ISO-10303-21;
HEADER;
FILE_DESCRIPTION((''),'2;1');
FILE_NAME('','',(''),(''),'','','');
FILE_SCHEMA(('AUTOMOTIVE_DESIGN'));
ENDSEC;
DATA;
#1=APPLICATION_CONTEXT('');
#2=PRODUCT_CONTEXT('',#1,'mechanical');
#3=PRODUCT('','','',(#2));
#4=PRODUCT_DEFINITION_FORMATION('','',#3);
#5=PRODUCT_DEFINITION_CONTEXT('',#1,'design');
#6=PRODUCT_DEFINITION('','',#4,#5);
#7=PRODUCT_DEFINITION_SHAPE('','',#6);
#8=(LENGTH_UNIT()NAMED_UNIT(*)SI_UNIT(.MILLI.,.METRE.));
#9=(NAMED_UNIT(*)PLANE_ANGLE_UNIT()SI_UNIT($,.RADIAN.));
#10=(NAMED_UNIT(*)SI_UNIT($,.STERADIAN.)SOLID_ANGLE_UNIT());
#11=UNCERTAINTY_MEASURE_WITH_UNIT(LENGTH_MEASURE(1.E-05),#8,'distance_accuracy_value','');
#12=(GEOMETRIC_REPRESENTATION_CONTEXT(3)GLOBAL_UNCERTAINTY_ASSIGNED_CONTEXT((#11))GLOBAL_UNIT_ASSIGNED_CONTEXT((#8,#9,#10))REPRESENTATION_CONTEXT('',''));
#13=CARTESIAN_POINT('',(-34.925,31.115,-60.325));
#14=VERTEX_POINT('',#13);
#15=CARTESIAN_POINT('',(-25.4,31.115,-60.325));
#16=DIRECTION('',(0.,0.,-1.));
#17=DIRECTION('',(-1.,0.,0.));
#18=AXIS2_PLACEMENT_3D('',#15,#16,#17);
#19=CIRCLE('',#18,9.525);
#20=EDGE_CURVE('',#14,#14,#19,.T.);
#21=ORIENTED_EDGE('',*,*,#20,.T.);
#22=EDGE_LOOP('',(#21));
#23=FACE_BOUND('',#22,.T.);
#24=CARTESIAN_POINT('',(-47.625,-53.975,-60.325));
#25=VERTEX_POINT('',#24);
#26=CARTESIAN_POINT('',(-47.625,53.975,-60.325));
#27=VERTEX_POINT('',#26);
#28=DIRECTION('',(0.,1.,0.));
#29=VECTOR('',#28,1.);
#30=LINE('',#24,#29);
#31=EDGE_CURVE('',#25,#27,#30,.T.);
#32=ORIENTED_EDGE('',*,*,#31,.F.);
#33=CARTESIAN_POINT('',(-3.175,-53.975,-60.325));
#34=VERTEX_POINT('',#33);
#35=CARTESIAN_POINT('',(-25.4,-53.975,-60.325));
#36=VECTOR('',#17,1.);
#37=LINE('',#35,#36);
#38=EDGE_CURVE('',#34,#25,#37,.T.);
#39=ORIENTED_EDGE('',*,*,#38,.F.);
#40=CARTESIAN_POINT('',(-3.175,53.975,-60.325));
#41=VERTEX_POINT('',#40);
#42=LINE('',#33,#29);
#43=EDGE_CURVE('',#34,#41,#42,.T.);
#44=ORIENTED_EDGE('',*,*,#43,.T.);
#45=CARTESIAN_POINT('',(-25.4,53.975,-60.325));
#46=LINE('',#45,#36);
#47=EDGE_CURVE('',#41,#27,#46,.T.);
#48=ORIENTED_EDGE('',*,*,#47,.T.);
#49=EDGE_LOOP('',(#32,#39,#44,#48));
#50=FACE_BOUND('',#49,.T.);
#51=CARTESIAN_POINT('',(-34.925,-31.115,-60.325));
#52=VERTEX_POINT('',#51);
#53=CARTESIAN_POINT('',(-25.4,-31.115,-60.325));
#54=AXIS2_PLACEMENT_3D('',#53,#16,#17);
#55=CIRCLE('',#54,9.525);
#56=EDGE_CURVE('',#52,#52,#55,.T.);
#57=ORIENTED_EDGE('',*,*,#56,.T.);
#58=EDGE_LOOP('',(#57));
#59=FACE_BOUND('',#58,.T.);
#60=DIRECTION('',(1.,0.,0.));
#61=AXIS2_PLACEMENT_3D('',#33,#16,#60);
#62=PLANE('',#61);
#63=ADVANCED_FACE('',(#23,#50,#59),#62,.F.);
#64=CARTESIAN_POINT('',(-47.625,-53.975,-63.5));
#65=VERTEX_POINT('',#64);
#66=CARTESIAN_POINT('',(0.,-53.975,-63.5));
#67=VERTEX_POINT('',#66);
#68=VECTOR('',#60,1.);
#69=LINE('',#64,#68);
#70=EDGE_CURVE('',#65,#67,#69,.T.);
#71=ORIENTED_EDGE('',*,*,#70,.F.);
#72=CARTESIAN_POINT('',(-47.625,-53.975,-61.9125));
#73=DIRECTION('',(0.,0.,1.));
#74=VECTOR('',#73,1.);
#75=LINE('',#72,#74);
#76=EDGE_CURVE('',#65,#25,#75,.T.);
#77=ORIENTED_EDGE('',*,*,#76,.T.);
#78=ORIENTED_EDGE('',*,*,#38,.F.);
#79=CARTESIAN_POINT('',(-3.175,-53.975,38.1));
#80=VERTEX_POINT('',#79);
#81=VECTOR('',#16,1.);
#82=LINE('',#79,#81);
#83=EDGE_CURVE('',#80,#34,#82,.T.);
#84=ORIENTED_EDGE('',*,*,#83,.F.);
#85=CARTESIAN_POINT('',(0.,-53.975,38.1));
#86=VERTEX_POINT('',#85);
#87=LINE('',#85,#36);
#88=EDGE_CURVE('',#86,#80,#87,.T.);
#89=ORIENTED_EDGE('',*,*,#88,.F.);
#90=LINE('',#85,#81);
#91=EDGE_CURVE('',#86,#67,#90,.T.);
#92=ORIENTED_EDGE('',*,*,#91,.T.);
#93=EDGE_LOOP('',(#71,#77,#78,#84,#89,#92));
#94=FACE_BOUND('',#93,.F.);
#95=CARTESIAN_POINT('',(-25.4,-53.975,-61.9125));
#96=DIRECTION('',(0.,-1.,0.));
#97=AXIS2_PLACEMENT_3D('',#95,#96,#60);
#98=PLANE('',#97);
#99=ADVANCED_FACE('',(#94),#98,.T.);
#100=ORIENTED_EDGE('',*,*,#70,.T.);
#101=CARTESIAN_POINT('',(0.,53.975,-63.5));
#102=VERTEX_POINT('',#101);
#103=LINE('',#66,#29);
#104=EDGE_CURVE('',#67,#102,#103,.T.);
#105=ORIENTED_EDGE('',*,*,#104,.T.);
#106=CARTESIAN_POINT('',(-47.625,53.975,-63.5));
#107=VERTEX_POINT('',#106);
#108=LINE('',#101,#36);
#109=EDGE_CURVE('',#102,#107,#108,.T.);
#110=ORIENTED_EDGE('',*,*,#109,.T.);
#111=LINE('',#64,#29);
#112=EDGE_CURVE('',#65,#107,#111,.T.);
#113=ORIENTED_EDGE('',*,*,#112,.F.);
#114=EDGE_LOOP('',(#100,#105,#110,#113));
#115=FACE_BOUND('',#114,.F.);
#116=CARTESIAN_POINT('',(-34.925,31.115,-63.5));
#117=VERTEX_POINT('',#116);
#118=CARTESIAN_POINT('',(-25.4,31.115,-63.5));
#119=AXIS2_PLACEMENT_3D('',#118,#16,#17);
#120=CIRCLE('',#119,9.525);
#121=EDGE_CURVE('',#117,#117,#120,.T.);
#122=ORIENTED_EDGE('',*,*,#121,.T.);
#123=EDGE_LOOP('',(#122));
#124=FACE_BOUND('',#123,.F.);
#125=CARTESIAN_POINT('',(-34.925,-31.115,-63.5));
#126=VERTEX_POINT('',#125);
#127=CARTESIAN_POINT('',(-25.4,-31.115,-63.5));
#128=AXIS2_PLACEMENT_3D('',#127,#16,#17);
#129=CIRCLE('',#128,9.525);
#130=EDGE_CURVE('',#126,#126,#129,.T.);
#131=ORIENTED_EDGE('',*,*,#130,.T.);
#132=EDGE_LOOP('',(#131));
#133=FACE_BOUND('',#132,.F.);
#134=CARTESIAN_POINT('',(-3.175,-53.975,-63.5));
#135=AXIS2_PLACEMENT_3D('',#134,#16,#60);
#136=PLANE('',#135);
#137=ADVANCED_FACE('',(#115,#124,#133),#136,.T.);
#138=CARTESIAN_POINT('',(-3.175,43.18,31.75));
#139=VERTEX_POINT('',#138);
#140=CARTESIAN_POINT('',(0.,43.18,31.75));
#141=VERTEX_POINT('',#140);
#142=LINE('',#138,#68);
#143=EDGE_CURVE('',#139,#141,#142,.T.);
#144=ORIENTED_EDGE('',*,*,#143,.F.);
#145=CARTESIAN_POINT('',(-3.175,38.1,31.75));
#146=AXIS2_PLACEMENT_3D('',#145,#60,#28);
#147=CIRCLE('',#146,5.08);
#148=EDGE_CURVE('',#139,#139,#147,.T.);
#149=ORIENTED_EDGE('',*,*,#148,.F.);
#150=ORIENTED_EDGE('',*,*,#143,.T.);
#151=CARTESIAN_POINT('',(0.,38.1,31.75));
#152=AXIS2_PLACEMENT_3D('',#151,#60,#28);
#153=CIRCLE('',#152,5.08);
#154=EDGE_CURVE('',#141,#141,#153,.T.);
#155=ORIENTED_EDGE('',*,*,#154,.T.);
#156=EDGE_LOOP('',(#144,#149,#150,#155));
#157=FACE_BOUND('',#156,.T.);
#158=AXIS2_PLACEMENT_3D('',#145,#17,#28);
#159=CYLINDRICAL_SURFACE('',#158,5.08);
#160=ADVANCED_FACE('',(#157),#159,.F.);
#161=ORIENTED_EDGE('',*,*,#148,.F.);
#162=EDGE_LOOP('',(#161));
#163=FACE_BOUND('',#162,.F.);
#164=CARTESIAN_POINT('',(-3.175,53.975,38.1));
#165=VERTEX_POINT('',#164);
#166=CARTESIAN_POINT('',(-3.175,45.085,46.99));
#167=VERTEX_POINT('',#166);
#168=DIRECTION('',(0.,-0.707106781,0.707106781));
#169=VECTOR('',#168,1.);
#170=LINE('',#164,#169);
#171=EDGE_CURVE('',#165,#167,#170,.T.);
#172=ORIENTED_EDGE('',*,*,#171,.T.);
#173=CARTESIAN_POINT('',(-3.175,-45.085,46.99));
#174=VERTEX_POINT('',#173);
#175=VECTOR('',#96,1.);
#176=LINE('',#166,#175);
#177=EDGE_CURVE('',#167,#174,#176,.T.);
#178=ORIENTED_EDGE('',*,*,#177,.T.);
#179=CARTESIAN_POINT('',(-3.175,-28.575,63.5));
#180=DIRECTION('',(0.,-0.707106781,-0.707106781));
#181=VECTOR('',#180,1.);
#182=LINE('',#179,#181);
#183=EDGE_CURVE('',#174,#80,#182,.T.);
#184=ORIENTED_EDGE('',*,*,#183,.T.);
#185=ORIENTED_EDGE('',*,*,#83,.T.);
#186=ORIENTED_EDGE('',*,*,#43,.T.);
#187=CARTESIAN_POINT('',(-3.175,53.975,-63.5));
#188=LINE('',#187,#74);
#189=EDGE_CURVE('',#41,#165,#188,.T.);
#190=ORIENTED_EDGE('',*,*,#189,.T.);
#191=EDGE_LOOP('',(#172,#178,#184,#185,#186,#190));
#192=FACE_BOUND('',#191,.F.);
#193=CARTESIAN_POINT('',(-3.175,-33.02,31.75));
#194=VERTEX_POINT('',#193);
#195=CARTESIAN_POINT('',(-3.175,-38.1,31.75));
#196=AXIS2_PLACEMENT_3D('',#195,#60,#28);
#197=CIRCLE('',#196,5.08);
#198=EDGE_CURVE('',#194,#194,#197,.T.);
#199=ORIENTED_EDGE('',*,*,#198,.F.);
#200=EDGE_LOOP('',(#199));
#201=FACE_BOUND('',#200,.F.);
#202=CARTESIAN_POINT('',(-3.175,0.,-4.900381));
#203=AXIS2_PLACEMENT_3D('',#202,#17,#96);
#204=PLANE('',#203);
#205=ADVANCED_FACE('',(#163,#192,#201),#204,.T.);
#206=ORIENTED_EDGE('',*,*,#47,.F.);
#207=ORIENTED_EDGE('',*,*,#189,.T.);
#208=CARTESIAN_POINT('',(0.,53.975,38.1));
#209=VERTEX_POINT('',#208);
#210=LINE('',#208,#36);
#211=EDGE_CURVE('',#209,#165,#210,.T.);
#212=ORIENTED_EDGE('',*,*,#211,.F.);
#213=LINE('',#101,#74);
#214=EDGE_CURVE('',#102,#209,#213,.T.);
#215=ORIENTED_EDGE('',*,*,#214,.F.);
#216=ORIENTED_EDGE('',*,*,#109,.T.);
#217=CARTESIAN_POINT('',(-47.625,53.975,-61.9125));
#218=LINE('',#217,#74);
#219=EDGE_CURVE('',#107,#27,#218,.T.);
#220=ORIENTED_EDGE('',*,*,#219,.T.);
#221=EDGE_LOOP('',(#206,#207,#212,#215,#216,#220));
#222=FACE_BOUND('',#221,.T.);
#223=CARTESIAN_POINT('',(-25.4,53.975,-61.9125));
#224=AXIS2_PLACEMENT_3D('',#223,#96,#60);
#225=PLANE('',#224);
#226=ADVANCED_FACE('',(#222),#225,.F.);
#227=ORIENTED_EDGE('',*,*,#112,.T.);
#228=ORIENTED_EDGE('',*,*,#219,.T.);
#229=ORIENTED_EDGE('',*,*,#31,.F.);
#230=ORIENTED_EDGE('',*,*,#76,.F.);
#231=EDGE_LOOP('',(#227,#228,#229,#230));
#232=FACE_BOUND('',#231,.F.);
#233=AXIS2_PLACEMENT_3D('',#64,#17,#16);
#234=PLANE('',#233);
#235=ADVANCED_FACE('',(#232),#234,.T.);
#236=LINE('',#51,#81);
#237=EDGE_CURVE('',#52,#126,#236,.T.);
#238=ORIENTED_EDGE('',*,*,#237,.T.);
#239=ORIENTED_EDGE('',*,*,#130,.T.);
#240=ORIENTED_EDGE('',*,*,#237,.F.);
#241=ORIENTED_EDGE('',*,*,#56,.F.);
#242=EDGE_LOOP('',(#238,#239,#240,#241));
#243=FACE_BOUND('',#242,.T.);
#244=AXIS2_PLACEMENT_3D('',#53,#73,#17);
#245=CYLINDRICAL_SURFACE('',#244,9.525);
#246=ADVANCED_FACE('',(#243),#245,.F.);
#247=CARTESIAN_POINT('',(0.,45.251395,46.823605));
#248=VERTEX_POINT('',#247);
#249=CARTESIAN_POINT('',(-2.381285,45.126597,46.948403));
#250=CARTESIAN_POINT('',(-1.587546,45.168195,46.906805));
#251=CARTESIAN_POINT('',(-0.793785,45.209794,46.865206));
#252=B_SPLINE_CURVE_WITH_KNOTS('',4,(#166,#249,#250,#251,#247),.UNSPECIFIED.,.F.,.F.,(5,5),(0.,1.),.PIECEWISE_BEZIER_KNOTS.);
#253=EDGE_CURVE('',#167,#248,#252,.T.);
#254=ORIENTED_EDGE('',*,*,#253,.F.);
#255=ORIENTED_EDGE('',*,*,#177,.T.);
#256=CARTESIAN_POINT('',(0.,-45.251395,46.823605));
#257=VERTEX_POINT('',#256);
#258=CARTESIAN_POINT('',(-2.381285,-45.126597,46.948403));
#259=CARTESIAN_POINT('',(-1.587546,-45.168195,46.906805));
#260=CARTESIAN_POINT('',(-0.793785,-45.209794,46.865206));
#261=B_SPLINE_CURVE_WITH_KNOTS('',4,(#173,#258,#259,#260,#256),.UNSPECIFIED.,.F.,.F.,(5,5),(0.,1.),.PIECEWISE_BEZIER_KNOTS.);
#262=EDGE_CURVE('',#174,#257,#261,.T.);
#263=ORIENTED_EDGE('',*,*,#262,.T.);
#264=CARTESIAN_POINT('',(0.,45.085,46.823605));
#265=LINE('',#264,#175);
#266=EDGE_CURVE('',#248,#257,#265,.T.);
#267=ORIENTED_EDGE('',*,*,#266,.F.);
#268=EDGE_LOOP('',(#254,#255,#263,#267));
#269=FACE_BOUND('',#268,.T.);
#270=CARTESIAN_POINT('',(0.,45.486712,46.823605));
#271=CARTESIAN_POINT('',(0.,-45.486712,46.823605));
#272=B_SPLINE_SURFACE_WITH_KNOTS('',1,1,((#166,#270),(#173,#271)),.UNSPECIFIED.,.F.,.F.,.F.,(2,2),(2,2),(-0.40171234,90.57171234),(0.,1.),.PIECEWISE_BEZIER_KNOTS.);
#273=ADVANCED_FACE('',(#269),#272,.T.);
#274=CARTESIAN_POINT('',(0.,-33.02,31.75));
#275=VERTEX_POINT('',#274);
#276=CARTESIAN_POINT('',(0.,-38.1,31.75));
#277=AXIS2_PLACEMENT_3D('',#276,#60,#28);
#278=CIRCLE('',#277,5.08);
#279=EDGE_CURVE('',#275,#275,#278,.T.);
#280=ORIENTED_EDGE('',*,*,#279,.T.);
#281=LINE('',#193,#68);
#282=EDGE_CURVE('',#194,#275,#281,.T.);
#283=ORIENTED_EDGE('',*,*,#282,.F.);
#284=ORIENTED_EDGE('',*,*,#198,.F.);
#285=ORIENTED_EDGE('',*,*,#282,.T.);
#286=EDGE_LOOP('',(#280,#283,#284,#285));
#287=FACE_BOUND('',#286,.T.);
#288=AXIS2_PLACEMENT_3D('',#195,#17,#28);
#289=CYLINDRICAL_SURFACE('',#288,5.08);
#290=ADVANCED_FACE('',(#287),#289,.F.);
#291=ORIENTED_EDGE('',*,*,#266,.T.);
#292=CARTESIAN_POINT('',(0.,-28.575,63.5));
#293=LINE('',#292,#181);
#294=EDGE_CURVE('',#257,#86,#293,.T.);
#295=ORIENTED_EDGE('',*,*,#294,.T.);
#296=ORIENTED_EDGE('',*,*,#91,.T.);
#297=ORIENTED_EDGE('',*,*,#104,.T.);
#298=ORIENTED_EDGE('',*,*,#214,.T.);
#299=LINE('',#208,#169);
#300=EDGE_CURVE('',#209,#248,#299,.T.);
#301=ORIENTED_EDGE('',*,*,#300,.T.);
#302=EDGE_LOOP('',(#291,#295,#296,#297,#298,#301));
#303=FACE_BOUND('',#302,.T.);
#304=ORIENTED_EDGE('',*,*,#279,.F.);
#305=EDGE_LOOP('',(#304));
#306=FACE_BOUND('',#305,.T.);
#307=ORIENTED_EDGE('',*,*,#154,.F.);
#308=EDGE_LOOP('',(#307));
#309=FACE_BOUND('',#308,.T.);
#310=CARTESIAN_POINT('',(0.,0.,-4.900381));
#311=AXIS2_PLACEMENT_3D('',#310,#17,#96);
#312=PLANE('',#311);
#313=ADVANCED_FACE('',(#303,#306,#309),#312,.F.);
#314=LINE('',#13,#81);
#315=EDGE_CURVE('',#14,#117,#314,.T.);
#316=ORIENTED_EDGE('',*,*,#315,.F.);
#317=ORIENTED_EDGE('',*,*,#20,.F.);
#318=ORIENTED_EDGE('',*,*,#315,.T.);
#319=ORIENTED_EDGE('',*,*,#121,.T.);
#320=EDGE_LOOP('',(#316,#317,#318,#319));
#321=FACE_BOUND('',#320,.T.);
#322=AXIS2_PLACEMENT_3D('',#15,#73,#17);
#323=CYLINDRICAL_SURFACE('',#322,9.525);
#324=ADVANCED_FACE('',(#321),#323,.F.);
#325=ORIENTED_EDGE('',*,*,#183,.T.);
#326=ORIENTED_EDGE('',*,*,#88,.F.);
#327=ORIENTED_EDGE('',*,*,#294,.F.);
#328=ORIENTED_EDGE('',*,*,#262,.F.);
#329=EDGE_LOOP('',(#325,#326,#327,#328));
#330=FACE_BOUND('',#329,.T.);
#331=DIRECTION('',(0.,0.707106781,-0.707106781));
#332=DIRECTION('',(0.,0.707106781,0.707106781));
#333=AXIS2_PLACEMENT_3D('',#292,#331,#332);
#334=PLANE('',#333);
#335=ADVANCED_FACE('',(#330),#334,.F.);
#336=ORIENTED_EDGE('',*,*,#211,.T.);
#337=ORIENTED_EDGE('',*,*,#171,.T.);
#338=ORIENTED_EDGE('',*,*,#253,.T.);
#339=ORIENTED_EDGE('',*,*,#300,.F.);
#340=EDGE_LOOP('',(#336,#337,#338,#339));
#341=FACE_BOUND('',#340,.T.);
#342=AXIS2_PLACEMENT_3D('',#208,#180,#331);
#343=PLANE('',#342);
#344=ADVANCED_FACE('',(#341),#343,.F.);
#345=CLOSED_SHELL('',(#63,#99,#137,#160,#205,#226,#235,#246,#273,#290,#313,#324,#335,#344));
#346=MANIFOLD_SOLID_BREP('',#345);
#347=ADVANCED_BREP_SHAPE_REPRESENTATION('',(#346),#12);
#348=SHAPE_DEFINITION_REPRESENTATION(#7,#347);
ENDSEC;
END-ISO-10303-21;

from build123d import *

# Parameters (mm, degrees)
F1_DEPTH  = 3.175
F2_W      = 44.45
F2_H      = 3.175
F3_DEPTH  = 107.95
F4_R      = 5.08
F5_DEPTH  = 3.175
F6_R      = 9.525
F7_DEPTH  = 3.175
F8_DEPTH  = 3.175
F12_DEPTH = 3.175
F12_TAPER = -3


with BuildPart() as f1:
    # F0 (on Right) → F1 (new body)
    with BuildSketch(Plane.YZ):
        Polygon((53.975, 38.1), (28.575, 63.5), (-28.575, 63.5), (-53.975, 38.1), (-53.975, -63.5), (53.975, -63.5), align=None)
    extrude(amount=F1_DEPTH)

    # F2 (on face) → F3 (join, through all)
    with BuildSketch(Plane.XZ.offset(53.975)):
        with Locations((25.4, -61.9125)):
            Rectangle(F2_W, F2_H)
    extrude(amount=-F3_DEPTH)

    # F4 (on face) → F5 (cut, through all)
    with BuildSketch(Plane.YZ.offset(3.175)):
        with Locations((-38.1, 31.75)):
            Circle(F4_R)
        with Locations((38.1, 31.75)):
            Circle(F4_R)
    extrude(amount=-F5_DEPTH, mode=Mode.SUBTRACT)

    # F6 (on face) → F7 (cut, through all)
    with BuildSketch(Plane.XY.offset(-60.325)):
        with Locations((25.4, 31.115)):
            Circle(F6_R)
        with Locations((25.4, -31.115)):
            Circle(F6_R)
    extrude(amount=-F7_DEPTH, mode=Mode.SUBTRACT)

    # F6 (on face) → F8 (cut, through all)
    with BuildSketch(Plane.XY.offset(-60.325)):
        with Locations((25.4, 31.115)):
            Circle(F6_R)
        with Locations((25.4, -31.115)):
            Circle(F6_R)
    extrude(amount=-F8_DEPTH, mode=Mode.SUBTRACT)


with BuildPart() as f9_1:
    # F9: instance of F1
    add(f1.part.mirror(Plane.YZ))

    # F11 (on face) → F12 (cut, through all)
    with BuildSketch(Plane(origin=(-3.175, 0, 0), x_dir=(0, -1, 0), z_dir=(-1, 0, 0))):
        Polygon((28.575, 63.5), (-28.575, 63.5), (-45.085, 46.99), (45.085, 46.99), align=None)
    extrude(amount=-F12_DEPTH, taper=F12_TAPER, mode=Mode.SUBTRACT)


solid = f9_1.part
